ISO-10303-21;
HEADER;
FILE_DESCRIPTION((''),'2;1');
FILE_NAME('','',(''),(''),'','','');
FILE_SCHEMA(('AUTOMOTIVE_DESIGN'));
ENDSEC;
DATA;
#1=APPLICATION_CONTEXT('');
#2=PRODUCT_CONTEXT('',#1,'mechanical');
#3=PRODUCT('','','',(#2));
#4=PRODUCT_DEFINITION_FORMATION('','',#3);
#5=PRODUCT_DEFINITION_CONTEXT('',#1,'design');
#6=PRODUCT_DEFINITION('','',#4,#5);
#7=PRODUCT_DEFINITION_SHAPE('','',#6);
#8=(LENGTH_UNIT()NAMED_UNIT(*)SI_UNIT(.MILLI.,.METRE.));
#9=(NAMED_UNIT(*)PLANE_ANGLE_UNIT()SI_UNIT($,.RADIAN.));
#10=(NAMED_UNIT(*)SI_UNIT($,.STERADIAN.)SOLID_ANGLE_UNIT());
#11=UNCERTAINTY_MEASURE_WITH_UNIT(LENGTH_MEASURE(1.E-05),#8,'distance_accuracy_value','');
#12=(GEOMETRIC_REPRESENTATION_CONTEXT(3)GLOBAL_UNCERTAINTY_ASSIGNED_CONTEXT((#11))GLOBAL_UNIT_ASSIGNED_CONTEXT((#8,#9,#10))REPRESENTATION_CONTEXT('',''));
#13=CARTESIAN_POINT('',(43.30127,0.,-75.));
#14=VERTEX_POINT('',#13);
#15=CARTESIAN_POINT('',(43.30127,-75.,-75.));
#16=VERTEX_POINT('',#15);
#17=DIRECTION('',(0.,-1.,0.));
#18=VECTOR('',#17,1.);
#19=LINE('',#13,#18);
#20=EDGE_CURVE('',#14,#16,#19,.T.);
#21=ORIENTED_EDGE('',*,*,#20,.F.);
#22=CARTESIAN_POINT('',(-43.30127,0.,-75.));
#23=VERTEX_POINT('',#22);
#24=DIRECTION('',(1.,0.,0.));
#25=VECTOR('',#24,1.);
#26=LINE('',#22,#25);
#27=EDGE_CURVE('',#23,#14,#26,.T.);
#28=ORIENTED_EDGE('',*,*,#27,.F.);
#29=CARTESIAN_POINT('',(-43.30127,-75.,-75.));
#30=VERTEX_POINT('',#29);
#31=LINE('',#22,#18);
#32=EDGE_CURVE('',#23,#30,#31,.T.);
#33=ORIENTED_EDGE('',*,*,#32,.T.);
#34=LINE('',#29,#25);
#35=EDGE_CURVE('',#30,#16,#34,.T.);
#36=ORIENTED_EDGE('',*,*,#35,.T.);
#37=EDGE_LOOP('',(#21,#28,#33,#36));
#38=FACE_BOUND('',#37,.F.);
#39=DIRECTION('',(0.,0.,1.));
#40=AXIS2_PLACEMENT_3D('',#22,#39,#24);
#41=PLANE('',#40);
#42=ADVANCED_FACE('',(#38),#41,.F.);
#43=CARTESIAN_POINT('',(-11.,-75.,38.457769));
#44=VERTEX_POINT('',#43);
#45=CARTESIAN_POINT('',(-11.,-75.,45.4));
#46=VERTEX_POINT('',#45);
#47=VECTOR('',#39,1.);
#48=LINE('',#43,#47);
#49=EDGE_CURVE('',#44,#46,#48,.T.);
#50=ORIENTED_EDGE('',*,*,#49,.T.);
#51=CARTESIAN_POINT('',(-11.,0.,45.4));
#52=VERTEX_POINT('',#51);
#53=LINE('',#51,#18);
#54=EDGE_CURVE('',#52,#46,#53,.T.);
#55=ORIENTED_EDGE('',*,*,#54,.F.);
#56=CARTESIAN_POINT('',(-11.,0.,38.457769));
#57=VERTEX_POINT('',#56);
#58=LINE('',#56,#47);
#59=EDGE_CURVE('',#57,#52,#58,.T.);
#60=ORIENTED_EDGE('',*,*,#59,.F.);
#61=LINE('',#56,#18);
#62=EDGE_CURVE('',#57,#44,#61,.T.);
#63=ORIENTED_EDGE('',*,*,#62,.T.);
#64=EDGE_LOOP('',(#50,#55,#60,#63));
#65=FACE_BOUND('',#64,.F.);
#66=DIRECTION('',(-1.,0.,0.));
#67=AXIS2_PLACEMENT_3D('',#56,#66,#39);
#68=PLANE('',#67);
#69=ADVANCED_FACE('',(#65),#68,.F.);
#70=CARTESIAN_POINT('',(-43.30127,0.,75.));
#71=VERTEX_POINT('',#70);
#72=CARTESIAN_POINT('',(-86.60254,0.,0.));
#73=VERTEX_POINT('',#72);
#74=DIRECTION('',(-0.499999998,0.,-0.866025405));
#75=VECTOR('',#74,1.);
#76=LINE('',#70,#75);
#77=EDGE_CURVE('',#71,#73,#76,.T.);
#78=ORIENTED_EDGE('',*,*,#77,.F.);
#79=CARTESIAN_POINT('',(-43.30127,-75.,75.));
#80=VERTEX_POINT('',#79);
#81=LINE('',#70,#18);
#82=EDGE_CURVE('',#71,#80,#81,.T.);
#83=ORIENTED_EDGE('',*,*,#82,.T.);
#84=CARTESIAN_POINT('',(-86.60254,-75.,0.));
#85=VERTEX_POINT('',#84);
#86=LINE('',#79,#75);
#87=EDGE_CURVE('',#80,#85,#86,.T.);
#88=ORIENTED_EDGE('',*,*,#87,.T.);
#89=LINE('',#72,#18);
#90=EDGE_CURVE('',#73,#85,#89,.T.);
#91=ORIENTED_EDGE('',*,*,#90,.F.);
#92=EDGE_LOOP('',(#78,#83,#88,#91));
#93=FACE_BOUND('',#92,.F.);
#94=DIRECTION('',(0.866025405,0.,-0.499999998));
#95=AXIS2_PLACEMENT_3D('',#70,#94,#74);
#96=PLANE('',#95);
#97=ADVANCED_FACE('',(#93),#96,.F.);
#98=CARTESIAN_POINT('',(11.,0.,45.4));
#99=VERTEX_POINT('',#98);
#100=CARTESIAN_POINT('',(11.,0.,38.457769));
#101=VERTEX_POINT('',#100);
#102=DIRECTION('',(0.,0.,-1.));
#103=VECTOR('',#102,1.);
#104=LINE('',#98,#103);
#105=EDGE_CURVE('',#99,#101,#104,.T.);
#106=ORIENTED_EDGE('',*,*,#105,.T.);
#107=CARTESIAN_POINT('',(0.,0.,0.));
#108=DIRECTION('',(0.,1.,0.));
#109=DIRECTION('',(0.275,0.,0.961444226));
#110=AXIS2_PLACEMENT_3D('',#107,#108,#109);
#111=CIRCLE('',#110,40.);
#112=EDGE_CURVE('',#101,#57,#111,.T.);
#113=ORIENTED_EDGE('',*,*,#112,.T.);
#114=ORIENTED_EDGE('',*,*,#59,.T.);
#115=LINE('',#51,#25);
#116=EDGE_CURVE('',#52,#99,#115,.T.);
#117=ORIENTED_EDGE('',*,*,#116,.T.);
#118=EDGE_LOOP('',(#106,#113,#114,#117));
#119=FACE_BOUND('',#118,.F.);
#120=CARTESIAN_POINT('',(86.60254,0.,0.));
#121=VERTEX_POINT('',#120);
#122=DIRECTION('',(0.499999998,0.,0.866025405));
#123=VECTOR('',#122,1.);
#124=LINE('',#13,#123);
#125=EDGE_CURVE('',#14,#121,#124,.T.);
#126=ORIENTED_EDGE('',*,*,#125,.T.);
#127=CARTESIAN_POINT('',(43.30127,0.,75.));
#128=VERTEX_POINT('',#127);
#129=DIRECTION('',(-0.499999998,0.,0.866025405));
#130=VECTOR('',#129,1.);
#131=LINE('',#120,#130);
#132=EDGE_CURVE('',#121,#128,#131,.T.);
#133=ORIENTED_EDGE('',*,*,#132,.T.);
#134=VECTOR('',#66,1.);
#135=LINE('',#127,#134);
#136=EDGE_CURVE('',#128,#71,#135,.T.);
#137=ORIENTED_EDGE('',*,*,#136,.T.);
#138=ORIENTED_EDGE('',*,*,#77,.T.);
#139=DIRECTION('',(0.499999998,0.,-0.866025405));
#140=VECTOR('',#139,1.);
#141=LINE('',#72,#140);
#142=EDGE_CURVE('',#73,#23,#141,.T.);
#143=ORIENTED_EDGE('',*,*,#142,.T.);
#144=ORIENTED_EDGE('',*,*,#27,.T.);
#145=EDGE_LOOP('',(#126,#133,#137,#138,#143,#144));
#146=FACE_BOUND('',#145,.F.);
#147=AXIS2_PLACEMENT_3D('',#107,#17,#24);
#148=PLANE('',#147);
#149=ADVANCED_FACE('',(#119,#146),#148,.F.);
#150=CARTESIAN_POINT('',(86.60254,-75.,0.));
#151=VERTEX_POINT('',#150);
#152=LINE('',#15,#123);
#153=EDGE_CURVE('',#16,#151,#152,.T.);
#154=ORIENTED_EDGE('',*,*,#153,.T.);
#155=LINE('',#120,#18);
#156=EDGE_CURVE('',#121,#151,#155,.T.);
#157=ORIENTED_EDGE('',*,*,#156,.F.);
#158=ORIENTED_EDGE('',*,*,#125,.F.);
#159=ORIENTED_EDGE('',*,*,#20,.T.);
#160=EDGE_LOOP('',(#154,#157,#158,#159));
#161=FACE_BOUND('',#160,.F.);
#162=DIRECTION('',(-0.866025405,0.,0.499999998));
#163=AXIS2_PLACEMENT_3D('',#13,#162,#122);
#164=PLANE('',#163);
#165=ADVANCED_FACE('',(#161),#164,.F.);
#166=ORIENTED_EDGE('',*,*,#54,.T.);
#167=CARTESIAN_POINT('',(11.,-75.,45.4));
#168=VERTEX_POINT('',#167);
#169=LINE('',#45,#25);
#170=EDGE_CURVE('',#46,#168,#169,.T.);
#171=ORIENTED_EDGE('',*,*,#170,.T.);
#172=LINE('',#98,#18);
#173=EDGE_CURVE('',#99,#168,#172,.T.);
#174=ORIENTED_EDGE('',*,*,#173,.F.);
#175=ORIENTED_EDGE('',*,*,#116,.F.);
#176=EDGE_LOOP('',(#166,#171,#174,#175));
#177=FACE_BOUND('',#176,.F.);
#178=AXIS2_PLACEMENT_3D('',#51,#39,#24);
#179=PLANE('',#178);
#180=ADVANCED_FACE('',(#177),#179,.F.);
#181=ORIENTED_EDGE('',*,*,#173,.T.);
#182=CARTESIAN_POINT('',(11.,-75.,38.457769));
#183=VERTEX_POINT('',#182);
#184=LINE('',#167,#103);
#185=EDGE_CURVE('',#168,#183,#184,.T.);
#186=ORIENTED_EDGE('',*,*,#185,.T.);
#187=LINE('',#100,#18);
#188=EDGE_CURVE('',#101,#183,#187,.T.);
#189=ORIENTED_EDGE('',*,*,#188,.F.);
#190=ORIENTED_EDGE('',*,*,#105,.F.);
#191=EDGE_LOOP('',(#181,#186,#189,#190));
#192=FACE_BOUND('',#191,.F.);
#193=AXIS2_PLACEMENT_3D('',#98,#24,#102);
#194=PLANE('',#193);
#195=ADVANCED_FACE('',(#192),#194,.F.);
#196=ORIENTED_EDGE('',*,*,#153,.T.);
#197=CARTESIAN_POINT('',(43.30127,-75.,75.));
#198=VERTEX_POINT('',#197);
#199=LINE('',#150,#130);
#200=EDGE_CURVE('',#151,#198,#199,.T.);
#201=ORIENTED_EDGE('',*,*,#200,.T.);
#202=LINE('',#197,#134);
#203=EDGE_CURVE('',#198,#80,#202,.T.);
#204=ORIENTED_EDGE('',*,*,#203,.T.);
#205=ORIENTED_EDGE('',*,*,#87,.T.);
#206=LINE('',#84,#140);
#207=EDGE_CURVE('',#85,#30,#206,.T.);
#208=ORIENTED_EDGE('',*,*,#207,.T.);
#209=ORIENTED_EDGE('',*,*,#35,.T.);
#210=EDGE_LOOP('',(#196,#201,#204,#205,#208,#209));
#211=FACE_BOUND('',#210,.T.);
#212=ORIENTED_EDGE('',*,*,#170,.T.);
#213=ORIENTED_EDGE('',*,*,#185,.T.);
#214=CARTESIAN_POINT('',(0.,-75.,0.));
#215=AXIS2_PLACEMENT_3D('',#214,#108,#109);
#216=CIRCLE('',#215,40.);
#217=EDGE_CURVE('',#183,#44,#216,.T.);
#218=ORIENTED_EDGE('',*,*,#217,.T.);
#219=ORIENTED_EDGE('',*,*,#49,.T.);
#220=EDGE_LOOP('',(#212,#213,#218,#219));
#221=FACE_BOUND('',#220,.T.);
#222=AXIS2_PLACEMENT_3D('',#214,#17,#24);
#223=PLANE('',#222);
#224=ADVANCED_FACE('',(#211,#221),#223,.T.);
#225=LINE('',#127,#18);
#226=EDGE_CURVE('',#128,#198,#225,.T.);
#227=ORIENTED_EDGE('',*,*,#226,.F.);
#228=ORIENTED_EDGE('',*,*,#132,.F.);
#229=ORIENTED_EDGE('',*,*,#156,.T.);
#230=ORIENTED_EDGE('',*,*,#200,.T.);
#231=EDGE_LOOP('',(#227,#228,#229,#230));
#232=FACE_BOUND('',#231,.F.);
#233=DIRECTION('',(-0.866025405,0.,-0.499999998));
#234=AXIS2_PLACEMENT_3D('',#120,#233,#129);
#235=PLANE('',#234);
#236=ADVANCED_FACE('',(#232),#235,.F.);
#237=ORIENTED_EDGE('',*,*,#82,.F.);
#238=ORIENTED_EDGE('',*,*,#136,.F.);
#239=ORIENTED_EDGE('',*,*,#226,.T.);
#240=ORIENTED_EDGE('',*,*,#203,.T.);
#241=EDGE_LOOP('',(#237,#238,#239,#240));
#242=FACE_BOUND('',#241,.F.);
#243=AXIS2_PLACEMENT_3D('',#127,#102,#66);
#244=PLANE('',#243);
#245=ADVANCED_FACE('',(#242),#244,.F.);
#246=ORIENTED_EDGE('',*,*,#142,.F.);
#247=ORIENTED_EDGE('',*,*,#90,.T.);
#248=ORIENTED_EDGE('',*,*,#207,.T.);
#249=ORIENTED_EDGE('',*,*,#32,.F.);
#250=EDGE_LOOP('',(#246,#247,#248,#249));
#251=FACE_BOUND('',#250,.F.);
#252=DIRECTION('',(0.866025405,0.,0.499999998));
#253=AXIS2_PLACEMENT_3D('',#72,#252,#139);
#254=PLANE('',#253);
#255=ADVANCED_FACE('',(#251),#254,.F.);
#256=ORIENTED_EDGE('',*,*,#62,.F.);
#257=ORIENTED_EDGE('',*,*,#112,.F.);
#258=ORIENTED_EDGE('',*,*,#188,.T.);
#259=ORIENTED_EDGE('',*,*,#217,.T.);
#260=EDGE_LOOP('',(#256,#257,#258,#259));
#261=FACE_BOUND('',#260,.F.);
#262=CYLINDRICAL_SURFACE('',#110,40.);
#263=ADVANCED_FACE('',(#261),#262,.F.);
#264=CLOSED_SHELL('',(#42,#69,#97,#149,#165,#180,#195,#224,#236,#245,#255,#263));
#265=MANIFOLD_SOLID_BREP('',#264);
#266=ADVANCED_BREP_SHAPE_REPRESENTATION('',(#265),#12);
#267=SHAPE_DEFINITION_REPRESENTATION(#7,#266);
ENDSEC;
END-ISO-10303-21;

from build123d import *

# Parameters (mm, degrees)
F1_DEPTH = 75


with BuildPart() as f1:
    # F0 (on Front) → F1 (new body)
    with BuildSketch(Plane.XZ):
        Polygon((43.30127, -75), (86.60254, 0), (43.30127, 75), (-43.30127, 75), (-86.60254, 0), (-43.30127, -75), align=None)
        with BuildLine():
            ThreePointArc((11, 38.457769), (0, -40), (-11, 38.457769))
            Line((-11, 38.457769), (-11, 45.4))
            Line((-11, 45.4), (11, 45.4))
            Line((11, 45.4), (11, 38.457769))
        make_face(mode=Mode.SUBTRACT)
    extrude(amount=F1_DEPTH)


solid = f1.part
